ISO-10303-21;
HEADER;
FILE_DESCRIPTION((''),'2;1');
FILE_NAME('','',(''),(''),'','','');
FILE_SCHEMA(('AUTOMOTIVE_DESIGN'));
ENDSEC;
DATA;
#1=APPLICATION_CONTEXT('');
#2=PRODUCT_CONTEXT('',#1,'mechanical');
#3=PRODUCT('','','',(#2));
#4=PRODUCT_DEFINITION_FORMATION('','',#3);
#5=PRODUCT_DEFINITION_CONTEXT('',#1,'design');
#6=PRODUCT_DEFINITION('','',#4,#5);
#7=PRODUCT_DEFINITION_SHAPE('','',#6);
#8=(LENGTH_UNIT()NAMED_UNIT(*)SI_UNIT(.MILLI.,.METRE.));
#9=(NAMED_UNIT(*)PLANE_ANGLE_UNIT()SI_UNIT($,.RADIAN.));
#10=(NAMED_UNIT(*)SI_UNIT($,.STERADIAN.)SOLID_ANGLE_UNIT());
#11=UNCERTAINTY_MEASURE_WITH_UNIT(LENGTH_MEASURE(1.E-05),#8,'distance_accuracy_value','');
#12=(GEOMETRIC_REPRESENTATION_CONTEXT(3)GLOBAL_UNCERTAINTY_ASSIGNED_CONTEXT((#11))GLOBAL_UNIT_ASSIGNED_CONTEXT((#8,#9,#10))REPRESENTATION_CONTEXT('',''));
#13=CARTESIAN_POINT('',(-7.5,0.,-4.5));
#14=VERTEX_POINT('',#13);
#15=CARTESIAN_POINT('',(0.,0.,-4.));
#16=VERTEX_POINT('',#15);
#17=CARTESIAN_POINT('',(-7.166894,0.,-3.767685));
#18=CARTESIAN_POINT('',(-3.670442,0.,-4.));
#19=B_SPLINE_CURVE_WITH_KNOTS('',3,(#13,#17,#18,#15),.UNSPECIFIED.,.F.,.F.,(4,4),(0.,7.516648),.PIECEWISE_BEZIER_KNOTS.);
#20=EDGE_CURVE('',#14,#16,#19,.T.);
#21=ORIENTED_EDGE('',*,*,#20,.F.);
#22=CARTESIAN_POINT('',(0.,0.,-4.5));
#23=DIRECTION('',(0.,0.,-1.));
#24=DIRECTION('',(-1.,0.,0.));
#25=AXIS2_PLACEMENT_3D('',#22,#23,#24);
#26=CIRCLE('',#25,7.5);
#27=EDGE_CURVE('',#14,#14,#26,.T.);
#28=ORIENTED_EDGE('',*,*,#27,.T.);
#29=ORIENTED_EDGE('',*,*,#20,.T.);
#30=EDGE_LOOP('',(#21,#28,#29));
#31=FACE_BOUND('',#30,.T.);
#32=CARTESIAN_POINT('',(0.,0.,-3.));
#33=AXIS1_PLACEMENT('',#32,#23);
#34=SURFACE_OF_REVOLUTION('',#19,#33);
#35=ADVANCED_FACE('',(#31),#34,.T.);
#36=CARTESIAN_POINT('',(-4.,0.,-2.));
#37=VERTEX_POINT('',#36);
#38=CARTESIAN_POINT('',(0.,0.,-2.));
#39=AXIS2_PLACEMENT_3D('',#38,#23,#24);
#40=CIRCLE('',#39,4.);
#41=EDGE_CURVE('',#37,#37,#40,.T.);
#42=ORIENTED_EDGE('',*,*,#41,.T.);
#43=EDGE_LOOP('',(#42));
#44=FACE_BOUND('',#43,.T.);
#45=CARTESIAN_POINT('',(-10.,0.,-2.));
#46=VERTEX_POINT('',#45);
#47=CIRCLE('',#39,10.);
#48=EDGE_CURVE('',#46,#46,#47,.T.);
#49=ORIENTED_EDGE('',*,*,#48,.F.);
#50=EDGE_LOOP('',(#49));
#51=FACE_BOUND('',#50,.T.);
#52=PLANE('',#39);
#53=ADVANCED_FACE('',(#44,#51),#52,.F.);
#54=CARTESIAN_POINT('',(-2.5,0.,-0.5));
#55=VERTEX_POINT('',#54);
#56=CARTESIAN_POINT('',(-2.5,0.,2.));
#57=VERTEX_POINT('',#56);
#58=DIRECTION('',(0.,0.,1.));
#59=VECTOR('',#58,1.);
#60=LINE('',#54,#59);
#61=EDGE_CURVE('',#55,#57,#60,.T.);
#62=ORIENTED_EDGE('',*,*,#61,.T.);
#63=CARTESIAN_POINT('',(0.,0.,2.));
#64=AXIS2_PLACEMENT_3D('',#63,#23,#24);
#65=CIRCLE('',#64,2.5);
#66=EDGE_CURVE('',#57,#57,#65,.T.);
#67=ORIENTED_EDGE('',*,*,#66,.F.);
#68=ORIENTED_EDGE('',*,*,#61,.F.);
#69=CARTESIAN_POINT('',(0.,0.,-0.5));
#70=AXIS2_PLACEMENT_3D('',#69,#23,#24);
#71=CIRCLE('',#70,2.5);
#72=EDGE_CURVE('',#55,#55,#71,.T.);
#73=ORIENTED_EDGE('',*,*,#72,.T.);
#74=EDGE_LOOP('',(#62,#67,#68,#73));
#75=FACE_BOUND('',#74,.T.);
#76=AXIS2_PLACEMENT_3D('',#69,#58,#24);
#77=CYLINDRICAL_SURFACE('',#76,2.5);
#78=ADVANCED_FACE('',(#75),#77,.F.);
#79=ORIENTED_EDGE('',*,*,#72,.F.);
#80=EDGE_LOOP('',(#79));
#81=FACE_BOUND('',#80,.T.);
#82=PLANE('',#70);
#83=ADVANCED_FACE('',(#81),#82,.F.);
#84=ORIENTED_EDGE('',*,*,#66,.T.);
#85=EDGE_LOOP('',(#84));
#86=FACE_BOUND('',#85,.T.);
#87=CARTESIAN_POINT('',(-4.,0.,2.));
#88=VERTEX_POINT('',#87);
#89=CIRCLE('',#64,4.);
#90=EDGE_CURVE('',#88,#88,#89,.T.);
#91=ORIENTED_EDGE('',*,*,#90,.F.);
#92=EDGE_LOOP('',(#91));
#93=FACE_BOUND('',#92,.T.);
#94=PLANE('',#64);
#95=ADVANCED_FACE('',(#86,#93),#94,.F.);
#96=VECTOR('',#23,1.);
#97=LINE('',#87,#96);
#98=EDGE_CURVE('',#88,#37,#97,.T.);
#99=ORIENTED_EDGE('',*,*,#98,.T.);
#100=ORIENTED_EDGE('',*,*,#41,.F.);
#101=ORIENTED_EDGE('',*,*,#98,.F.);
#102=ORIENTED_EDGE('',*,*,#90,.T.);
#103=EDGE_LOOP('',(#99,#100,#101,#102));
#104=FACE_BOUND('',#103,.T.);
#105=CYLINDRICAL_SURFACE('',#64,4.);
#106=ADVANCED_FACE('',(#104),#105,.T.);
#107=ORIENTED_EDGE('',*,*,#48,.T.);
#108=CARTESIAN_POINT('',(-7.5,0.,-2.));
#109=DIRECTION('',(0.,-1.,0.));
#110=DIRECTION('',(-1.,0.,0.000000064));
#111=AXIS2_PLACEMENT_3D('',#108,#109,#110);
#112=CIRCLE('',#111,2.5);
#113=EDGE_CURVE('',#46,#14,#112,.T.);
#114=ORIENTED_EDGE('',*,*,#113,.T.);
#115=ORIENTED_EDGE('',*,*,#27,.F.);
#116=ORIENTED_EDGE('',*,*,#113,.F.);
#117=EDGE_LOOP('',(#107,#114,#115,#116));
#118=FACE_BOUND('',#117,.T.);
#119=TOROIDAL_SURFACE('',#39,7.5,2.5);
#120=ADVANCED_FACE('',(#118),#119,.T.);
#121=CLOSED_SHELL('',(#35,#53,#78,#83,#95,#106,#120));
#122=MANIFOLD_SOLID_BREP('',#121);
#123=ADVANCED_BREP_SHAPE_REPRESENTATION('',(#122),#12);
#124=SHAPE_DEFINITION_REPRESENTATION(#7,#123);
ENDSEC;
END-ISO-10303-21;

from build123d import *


with BuildPart() as f1:
    # F0 (on Front) → F1 (revolve)
    with BuildSketch(Plane.XZ):
        with BuildLine():
            Line((0, -2), (-4, -2))
            Line((-4, -2), (-10, -2))
            ThreePointArc((-10, -2), (-9.267767, -3.767767), (-7.5, -4.5))
            add(Edge.make_bspline(
                [(-7.5, -4.5), (-7.166894, -3.767685), (-3.670442, -4), (0, -4)],
                knots=[0, 0, 0, 0, 7.516648, 7.516648, 7.516648, 7.516648], degree=3))
            Line((0, -4), (0, -2))
        make_face()
        Polygon((-2.5, 2), (-4, 2), (-4, -2), (0, -2), (0, -0.5), (-2.5, -0.5), align=None)
    revolve(axis=Axis((0, 0, -3), (0, 0, -1)))


solid = f1.part
